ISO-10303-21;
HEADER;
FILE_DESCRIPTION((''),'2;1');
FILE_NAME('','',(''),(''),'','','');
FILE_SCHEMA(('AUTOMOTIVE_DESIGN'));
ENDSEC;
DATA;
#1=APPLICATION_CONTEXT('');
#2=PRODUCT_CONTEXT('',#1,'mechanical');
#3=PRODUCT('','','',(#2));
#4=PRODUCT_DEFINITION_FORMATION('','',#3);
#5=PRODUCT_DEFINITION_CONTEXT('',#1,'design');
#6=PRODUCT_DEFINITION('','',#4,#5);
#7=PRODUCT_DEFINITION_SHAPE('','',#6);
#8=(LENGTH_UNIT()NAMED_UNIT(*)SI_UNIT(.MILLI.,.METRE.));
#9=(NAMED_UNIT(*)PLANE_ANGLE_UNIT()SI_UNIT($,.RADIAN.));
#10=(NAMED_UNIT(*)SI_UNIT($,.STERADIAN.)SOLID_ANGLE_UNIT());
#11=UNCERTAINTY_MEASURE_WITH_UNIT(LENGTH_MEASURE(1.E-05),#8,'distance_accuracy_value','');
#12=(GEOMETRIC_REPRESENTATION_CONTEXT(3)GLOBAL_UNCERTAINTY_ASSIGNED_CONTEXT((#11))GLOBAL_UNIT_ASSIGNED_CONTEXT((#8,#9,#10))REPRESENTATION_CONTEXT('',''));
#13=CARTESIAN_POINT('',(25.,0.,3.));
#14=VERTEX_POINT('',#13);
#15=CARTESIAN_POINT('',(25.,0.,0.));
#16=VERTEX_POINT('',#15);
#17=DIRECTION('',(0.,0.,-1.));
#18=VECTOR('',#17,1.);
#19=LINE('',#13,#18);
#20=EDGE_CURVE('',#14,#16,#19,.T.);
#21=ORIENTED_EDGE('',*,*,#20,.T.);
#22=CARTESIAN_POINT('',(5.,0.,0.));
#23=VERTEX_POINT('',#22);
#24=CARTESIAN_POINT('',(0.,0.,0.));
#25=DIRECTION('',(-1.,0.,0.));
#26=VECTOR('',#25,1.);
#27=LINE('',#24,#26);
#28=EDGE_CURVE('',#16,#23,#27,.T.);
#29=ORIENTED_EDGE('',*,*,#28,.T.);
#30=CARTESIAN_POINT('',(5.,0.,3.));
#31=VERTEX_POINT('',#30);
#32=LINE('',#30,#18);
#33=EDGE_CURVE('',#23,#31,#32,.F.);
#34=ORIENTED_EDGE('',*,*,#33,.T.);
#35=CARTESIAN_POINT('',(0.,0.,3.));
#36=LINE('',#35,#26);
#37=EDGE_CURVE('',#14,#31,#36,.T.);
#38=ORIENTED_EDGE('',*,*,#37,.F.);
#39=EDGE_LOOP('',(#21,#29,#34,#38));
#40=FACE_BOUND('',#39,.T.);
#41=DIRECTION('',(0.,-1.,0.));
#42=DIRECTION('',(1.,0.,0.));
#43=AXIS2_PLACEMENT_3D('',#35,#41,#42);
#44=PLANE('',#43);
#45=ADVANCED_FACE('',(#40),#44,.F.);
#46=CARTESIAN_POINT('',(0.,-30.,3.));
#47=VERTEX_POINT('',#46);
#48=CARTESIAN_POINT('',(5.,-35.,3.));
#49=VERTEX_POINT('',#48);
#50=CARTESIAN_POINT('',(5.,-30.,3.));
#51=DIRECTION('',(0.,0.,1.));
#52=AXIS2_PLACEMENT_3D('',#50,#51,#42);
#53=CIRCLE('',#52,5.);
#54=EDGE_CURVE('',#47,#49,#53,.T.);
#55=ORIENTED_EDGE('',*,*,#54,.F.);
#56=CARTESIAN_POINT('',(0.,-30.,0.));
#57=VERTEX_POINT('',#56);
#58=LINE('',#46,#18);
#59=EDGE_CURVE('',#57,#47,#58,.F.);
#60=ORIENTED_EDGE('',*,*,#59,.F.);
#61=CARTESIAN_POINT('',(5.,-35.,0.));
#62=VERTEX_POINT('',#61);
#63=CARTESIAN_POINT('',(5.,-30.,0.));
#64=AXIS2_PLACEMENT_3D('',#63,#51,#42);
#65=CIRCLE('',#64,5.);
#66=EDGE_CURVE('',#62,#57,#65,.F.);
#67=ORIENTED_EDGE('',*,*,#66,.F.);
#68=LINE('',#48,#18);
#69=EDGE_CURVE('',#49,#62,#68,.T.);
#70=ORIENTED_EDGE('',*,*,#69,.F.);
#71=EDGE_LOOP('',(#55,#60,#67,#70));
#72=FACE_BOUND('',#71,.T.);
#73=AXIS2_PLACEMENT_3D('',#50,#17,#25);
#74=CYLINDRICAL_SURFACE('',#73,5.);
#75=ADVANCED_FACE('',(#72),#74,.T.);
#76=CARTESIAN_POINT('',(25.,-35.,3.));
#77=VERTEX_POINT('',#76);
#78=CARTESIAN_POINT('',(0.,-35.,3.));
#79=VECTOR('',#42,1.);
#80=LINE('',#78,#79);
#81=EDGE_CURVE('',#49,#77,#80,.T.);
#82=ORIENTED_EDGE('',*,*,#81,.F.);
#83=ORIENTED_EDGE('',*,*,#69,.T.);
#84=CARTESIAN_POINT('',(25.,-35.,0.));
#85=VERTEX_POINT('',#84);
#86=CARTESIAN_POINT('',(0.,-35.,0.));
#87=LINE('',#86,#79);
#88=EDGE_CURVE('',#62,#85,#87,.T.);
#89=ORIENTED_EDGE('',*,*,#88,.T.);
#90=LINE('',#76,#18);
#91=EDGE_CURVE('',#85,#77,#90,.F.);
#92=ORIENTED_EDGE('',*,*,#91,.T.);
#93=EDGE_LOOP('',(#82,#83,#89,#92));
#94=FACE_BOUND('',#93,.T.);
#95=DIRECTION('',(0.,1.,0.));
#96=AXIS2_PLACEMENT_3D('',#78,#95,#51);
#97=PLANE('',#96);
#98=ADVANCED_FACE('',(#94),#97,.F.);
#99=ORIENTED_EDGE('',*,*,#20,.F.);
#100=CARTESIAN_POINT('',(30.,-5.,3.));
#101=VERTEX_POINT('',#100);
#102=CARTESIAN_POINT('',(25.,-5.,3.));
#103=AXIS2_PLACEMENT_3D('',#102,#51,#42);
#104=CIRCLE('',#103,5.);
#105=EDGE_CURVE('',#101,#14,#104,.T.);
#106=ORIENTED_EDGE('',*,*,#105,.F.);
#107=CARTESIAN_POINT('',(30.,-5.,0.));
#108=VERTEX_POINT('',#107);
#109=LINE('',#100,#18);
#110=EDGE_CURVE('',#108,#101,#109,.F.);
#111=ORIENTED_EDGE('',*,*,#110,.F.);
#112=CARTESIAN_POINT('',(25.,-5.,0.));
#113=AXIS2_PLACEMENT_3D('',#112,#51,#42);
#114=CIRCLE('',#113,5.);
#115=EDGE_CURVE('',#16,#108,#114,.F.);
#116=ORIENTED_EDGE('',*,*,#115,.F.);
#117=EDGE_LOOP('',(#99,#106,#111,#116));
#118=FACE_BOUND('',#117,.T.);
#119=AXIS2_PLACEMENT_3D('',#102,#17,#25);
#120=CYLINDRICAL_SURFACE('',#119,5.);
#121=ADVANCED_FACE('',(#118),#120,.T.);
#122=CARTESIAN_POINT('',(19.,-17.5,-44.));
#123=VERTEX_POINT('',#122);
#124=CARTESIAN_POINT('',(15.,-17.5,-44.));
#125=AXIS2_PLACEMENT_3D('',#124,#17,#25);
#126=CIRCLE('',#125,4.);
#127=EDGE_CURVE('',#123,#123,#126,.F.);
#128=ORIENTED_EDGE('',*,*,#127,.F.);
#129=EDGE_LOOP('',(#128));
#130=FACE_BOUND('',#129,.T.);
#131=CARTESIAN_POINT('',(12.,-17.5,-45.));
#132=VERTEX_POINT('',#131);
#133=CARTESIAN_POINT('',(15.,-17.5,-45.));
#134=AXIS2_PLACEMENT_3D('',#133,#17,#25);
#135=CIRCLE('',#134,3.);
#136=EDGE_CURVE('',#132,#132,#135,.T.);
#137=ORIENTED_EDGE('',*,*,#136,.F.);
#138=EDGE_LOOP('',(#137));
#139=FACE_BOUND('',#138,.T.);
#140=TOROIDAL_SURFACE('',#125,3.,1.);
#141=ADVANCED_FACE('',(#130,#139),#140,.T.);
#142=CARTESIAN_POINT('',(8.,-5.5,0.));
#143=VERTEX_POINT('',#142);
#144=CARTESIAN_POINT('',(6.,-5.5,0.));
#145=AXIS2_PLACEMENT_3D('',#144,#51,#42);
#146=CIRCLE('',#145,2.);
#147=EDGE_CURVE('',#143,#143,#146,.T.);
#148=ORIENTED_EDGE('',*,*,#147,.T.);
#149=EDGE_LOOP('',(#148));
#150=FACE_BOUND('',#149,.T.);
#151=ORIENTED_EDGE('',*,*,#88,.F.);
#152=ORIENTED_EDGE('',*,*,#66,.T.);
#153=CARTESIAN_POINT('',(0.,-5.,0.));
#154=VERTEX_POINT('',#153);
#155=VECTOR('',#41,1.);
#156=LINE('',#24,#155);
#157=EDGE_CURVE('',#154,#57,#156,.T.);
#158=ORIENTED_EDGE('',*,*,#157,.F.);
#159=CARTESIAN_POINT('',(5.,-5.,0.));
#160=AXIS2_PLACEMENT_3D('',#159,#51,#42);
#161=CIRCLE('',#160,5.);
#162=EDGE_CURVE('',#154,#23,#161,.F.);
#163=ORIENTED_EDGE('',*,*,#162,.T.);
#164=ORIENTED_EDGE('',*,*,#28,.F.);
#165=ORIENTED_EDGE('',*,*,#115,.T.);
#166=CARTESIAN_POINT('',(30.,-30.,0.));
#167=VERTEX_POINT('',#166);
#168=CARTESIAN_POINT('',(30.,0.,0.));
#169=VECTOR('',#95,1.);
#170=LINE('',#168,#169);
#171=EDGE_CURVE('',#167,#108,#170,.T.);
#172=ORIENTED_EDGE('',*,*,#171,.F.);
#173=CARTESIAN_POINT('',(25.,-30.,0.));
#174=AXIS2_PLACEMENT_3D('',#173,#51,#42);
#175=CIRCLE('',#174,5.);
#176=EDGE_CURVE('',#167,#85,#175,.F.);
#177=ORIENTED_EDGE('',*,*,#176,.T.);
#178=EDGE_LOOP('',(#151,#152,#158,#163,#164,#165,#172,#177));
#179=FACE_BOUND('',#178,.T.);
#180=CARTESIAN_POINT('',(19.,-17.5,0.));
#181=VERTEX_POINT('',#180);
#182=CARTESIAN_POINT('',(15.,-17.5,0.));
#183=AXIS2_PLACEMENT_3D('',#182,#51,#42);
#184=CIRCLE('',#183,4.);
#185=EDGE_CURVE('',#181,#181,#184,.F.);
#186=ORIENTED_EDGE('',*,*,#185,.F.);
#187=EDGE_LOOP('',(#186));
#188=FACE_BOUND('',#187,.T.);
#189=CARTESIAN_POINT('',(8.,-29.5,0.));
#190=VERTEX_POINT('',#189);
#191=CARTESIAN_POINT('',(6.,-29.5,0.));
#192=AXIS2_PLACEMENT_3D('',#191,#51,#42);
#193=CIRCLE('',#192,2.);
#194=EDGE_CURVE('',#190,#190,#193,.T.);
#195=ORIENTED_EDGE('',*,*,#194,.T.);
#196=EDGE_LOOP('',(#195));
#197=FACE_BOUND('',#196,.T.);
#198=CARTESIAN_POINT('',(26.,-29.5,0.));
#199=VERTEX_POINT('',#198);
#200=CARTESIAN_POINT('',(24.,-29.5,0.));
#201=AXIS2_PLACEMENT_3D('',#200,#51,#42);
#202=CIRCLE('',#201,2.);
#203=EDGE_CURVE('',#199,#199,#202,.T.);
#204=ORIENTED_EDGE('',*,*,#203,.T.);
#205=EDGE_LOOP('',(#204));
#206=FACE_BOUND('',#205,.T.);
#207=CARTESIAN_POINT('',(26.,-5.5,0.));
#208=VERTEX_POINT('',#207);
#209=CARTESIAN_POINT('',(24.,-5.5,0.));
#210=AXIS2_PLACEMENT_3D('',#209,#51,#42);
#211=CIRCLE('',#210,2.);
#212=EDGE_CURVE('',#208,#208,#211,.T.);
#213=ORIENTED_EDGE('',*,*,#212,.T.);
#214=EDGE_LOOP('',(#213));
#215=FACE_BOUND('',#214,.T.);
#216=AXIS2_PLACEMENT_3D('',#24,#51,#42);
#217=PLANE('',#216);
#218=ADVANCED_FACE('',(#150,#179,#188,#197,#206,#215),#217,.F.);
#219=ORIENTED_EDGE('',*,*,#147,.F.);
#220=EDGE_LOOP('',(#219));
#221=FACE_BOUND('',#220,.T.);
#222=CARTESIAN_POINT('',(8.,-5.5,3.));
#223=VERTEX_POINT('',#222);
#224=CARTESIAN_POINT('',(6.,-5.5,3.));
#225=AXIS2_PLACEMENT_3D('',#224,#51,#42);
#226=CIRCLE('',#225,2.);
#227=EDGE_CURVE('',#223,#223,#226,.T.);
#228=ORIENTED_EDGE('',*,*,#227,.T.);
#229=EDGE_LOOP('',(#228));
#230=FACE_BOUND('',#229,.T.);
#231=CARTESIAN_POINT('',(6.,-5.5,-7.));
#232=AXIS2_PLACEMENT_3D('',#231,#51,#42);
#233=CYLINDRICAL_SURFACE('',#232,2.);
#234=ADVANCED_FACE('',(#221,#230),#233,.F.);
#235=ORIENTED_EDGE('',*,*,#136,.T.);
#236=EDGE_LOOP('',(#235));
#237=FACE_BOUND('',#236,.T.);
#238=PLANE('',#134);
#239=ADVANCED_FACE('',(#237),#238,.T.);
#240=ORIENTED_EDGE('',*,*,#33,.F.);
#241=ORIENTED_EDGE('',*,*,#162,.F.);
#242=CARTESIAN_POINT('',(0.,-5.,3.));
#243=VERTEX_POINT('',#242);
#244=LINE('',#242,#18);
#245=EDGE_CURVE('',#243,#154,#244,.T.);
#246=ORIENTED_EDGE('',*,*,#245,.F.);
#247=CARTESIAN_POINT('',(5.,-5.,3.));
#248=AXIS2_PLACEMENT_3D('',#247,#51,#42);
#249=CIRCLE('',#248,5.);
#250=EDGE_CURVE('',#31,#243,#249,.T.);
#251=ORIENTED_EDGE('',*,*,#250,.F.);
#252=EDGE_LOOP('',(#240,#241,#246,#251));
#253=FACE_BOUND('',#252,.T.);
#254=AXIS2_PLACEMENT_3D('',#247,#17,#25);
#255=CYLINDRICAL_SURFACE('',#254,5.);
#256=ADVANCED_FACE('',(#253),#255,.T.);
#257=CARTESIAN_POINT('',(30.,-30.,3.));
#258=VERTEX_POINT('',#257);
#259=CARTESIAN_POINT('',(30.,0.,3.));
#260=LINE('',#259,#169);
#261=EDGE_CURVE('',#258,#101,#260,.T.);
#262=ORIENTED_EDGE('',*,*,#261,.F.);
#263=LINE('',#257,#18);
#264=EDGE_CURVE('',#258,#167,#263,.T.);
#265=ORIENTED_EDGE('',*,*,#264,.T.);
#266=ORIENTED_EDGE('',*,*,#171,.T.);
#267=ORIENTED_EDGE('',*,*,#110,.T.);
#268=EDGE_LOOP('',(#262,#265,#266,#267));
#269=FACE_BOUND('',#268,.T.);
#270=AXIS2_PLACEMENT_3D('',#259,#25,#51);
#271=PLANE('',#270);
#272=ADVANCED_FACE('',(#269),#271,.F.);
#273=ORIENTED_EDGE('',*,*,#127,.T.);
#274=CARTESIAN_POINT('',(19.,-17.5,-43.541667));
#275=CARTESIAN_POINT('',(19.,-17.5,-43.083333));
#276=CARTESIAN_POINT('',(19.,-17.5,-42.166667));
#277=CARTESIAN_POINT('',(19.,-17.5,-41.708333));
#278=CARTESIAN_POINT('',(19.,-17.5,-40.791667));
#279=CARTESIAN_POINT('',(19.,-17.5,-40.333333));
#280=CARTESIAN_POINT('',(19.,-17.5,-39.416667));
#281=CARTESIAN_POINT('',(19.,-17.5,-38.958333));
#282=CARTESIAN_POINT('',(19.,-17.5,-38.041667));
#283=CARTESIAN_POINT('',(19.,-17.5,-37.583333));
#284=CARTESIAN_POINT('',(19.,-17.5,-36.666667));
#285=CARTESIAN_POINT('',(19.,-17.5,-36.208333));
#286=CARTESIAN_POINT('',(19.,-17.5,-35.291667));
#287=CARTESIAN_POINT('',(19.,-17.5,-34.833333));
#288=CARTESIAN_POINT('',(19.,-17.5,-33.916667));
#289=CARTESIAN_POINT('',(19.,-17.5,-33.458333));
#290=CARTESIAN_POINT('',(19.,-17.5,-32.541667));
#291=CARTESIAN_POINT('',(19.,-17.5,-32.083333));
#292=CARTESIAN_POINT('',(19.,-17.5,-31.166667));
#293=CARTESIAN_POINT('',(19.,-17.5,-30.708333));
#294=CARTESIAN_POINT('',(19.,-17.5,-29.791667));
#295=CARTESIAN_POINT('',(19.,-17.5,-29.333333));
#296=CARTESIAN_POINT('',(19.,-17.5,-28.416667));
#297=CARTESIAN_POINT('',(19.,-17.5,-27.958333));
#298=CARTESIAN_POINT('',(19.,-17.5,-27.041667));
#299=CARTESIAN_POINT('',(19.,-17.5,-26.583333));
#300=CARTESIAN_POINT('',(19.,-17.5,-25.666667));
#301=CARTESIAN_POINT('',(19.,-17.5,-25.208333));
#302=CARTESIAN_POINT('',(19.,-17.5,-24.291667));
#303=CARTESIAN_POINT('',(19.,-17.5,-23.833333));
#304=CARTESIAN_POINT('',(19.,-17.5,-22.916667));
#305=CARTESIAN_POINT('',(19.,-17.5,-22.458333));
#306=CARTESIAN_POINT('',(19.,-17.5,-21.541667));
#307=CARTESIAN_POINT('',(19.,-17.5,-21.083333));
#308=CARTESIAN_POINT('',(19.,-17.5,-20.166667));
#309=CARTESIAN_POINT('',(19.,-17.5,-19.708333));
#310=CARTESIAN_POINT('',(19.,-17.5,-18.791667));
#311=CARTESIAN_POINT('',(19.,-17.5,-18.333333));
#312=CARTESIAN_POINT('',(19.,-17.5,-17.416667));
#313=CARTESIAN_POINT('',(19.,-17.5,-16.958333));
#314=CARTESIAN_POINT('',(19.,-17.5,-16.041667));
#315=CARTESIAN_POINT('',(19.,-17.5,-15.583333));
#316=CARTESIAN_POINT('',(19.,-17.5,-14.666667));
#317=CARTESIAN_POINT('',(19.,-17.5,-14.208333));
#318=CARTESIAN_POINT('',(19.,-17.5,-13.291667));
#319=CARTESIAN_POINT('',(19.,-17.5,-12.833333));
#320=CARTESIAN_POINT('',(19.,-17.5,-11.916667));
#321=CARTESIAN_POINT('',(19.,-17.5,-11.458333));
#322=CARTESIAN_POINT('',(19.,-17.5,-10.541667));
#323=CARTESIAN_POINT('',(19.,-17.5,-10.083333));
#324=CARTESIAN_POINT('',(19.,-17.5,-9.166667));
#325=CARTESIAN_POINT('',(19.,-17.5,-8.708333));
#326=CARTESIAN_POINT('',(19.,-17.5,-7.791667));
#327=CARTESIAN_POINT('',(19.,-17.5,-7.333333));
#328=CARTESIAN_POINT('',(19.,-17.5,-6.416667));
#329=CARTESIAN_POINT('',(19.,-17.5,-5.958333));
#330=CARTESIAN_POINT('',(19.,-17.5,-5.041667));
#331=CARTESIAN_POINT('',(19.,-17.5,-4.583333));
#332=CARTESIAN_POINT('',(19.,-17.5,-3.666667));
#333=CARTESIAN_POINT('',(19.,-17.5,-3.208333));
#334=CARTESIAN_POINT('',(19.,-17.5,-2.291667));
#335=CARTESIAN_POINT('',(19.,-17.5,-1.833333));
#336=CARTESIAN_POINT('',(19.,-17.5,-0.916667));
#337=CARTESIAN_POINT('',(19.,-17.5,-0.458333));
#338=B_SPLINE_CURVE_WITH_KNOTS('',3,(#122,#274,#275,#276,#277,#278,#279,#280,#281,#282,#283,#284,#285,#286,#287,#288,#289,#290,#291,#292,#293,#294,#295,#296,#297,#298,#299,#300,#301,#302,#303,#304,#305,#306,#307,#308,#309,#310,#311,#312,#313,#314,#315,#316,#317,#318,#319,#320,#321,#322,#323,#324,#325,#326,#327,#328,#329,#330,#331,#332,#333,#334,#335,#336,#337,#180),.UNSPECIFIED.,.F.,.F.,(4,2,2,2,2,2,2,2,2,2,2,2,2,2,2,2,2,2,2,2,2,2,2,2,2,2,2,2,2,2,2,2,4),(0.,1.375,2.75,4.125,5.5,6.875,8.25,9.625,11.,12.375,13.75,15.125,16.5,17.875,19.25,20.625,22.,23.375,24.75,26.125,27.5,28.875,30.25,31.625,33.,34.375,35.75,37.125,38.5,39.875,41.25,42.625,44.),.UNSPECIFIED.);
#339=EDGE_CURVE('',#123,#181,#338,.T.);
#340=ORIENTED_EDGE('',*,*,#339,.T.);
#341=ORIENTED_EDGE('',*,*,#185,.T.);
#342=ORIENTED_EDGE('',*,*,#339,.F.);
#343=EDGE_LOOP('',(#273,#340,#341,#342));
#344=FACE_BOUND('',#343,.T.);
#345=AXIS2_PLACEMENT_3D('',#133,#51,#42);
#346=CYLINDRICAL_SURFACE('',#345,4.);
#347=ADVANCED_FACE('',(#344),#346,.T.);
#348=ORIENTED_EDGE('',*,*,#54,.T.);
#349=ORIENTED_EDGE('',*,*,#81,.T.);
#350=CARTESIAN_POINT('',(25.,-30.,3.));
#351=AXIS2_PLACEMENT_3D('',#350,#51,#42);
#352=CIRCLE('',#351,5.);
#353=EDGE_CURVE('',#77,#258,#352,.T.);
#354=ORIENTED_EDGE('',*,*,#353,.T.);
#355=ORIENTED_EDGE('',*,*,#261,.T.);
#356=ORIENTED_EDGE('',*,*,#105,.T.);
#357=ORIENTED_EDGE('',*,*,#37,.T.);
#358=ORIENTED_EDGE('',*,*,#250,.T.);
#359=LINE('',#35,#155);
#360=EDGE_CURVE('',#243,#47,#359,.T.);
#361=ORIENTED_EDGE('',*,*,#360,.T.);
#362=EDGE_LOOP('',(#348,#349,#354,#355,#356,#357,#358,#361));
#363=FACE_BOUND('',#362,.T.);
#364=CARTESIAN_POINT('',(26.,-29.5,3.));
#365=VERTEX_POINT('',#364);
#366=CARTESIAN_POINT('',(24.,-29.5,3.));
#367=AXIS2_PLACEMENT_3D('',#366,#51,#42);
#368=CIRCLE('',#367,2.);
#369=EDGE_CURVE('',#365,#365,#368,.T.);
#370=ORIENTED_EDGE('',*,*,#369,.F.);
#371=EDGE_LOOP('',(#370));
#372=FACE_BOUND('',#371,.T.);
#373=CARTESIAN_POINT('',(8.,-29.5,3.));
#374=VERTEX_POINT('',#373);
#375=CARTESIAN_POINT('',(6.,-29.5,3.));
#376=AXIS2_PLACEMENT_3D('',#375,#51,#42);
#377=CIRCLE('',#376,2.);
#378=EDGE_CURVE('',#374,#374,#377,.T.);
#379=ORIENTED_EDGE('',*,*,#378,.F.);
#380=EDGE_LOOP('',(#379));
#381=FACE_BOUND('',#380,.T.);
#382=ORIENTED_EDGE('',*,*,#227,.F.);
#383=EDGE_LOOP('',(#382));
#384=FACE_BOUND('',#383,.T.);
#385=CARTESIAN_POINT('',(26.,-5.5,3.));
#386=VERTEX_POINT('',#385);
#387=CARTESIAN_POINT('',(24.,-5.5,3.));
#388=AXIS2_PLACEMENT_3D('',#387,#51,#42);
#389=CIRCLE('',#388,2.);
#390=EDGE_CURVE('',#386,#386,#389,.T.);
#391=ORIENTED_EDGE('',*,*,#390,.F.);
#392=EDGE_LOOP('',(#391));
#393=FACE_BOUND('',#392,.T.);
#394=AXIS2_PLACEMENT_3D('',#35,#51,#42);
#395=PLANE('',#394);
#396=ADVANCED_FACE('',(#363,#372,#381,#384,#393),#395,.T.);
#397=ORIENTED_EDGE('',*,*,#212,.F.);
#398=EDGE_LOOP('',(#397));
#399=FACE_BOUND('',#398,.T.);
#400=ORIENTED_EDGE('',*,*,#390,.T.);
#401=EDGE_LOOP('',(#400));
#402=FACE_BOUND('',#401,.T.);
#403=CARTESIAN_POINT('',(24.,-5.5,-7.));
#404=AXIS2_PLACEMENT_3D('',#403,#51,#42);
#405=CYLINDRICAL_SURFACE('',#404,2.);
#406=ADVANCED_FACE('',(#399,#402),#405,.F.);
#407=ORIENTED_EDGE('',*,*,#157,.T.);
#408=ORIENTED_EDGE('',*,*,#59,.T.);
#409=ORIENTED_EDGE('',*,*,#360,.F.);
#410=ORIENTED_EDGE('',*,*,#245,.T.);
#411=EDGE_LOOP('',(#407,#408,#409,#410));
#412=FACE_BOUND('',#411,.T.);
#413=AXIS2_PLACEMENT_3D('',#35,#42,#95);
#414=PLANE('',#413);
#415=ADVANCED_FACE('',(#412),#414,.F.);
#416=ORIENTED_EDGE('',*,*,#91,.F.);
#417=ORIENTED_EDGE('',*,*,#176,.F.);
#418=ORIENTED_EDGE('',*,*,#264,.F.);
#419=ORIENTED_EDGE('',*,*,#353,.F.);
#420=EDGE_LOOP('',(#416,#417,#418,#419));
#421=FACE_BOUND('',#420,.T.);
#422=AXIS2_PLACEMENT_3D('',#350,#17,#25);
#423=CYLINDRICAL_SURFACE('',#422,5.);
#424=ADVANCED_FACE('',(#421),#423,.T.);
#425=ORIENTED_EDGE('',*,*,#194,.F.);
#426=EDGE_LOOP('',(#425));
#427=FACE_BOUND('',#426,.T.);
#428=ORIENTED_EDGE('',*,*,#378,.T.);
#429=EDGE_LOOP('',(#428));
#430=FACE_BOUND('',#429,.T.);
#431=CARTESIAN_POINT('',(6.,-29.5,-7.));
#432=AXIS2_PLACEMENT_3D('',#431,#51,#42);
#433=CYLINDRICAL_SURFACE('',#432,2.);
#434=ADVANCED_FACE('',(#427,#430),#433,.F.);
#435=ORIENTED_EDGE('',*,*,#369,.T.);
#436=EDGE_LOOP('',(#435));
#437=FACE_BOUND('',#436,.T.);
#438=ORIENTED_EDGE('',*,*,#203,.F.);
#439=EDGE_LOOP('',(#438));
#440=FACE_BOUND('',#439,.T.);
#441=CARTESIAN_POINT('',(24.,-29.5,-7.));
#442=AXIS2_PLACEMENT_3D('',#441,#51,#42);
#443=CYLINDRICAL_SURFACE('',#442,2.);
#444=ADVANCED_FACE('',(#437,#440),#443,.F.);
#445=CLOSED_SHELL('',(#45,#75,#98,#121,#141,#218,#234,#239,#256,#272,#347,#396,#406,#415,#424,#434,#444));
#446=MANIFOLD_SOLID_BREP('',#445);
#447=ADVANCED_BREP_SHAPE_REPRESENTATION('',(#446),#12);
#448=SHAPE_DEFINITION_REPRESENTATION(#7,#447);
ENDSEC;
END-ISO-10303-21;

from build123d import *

# Parameters (mm, degrees)
SKETCH2_W           = 30
SKETCH2_H           = 35
BOSS_EXTRUDE1_DEPTH = 3
FILLET1_R           = 5
SKETCH3_R           = 2
CUT_EXTRUDE1_DEPTH  = 10
SKETCH6_R           = 4
BOSS_EXTRUDE2_DEPTH = 45
FILLET2_R           = 1


with BuildPart() as part:
    # Sketch2 → Boss-Extrude1 (new body)
    with BuildSketch(Plane.XY):
        with Locations((15, -17.5)):
            Rectangle(SKETCH2_W, SKETCH2_H)
    extrude(amount=BOSS_EXTRUDE1_DEPTH)

    # Fillet1
    fillet1_edges = [part.edges().sort_by_distance(p)[0] for p in [
        (0, 0, 1.5),
        (30, 0, 1.5),
        (30, -35, 1.5),
        (0, -35, 1.5),
    ]]
    fillet(fillet1_edges, radius=FILLET1_R)

    # Sketch3 → Cut-Extrude1 (cut)
    with BuildSketch(Plane.XY.offset(3)):
        with Locations((6, -5.5)):
            Circle(SKETCH3_R)
        with Locations((24, -5.5)):
            Circle(SKETCH3_R)
        with Locations((6, -29.5)):
            Circle(SKETCH3_R)
        with Locations((24, -29.5)):
            Circle(SKETCH3_R)
    extrude(amount=-CUT_EXTRUDE1_DEPTH, mode=Mode.SUBTRACT)

    # Sketch6 → Boss-Extrude2 (add)
    with BuildSketch(Plane(origin=(0, 0, 0), x_dir=(-1, 0, 0), z_dir=(0, 0, -1))):
        with Locations(Location((-15, -17.5, 0), (0, 0, 180))):
            Circle(SKETCH6_R)
    extrude(amount=BOSS_EXTRUDE2_DEPTH)

    # Fillet2
    fillet2_edges = [part.edges().sort_by_distance(p)[0] for p in [
        (11, -17.5, -45),
    ]]
    fillet(fillet2_edges, radius=FILLET2_R)


solid = part.part
